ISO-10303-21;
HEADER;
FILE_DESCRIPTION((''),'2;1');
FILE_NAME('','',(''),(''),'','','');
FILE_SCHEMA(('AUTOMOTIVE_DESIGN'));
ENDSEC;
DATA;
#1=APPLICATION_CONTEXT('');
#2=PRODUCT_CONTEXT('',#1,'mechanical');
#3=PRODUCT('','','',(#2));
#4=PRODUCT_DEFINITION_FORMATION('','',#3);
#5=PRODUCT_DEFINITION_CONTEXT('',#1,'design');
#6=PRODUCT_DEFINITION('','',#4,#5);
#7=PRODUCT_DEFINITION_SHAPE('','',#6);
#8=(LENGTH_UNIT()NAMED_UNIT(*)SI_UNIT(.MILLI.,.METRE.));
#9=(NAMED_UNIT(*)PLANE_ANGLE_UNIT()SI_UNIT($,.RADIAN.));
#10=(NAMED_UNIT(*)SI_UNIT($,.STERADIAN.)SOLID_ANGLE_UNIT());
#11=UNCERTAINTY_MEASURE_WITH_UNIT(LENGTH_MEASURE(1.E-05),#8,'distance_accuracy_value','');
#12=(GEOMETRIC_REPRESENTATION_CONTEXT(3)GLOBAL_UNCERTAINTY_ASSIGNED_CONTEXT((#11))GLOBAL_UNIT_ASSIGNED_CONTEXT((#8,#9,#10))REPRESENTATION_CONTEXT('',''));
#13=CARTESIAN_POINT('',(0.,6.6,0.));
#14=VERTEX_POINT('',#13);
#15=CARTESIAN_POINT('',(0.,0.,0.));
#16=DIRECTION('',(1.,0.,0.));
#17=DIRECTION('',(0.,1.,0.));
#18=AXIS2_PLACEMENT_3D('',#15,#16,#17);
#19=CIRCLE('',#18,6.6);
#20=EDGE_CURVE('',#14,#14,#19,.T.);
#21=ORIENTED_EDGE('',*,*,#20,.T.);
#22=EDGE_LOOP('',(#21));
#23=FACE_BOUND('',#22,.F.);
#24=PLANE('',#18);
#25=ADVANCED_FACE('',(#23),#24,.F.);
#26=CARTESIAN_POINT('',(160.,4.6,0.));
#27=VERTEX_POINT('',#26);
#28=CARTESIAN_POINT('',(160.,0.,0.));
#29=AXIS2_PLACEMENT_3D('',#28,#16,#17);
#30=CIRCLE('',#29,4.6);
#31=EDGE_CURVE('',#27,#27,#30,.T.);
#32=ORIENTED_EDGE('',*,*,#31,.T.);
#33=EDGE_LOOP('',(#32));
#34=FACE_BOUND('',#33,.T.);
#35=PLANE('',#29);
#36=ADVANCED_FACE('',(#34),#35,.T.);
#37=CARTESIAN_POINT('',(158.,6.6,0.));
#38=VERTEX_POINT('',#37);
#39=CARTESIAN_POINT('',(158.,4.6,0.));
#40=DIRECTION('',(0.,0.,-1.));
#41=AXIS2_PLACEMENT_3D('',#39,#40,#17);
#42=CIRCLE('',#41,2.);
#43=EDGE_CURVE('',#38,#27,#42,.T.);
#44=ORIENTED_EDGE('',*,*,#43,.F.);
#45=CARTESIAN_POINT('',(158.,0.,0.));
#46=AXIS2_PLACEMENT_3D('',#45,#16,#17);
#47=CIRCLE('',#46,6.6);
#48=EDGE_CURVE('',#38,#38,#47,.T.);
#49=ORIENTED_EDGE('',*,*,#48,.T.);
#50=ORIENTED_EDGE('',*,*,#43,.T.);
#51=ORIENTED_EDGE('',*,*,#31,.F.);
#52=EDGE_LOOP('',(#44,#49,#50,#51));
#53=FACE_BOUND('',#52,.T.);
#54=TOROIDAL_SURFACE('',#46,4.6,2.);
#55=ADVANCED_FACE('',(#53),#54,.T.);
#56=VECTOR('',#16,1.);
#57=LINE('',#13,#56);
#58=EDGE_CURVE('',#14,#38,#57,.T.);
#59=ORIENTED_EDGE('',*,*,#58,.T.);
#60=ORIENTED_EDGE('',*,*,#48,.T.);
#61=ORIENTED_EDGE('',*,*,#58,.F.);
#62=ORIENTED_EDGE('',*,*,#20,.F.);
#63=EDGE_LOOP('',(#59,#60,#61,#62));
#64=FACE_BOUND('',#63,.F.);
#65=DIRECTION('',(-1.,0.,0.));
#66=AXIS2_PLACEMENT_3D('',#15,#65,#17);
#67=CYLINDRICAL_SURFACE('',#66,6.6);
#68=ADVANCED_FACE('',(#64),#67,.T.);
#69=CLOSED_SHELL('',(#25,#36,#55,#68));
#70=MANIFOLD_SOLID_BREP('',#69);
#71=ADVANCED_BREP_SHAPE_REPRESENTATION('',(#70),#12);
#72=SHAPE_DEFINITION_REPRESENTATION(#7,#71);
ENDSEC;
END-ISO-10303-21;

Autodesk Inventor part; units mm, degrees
ref_plane "YZ Plane" through (0, 0, 0) normal (1, 0, 0) x (0, 1, 0)
ref_plane "XZ Plane" through (0, 0, 0) normal (0, 1, 0) x (-1, 0, 0)
ref_plane "XY Plane" through (0, 0, 0) normal (0, 0, 1) x (1, 0, 0)
sketch "Sketch1" plane through (0, 0, 0) normal (1, 0, 0) x (0, 1, 0)
  circle A0 centre (0, 0) radius 6.6
  dimension "d0" = 13.2
extrude "Extrusion1" add sketch "Sketch1" along normal blind 160
fillet "Fillet1" radius 2 1 edges at (160, -6.6, 0)
properties part number "00_Laserpointer_450nm_blue"
